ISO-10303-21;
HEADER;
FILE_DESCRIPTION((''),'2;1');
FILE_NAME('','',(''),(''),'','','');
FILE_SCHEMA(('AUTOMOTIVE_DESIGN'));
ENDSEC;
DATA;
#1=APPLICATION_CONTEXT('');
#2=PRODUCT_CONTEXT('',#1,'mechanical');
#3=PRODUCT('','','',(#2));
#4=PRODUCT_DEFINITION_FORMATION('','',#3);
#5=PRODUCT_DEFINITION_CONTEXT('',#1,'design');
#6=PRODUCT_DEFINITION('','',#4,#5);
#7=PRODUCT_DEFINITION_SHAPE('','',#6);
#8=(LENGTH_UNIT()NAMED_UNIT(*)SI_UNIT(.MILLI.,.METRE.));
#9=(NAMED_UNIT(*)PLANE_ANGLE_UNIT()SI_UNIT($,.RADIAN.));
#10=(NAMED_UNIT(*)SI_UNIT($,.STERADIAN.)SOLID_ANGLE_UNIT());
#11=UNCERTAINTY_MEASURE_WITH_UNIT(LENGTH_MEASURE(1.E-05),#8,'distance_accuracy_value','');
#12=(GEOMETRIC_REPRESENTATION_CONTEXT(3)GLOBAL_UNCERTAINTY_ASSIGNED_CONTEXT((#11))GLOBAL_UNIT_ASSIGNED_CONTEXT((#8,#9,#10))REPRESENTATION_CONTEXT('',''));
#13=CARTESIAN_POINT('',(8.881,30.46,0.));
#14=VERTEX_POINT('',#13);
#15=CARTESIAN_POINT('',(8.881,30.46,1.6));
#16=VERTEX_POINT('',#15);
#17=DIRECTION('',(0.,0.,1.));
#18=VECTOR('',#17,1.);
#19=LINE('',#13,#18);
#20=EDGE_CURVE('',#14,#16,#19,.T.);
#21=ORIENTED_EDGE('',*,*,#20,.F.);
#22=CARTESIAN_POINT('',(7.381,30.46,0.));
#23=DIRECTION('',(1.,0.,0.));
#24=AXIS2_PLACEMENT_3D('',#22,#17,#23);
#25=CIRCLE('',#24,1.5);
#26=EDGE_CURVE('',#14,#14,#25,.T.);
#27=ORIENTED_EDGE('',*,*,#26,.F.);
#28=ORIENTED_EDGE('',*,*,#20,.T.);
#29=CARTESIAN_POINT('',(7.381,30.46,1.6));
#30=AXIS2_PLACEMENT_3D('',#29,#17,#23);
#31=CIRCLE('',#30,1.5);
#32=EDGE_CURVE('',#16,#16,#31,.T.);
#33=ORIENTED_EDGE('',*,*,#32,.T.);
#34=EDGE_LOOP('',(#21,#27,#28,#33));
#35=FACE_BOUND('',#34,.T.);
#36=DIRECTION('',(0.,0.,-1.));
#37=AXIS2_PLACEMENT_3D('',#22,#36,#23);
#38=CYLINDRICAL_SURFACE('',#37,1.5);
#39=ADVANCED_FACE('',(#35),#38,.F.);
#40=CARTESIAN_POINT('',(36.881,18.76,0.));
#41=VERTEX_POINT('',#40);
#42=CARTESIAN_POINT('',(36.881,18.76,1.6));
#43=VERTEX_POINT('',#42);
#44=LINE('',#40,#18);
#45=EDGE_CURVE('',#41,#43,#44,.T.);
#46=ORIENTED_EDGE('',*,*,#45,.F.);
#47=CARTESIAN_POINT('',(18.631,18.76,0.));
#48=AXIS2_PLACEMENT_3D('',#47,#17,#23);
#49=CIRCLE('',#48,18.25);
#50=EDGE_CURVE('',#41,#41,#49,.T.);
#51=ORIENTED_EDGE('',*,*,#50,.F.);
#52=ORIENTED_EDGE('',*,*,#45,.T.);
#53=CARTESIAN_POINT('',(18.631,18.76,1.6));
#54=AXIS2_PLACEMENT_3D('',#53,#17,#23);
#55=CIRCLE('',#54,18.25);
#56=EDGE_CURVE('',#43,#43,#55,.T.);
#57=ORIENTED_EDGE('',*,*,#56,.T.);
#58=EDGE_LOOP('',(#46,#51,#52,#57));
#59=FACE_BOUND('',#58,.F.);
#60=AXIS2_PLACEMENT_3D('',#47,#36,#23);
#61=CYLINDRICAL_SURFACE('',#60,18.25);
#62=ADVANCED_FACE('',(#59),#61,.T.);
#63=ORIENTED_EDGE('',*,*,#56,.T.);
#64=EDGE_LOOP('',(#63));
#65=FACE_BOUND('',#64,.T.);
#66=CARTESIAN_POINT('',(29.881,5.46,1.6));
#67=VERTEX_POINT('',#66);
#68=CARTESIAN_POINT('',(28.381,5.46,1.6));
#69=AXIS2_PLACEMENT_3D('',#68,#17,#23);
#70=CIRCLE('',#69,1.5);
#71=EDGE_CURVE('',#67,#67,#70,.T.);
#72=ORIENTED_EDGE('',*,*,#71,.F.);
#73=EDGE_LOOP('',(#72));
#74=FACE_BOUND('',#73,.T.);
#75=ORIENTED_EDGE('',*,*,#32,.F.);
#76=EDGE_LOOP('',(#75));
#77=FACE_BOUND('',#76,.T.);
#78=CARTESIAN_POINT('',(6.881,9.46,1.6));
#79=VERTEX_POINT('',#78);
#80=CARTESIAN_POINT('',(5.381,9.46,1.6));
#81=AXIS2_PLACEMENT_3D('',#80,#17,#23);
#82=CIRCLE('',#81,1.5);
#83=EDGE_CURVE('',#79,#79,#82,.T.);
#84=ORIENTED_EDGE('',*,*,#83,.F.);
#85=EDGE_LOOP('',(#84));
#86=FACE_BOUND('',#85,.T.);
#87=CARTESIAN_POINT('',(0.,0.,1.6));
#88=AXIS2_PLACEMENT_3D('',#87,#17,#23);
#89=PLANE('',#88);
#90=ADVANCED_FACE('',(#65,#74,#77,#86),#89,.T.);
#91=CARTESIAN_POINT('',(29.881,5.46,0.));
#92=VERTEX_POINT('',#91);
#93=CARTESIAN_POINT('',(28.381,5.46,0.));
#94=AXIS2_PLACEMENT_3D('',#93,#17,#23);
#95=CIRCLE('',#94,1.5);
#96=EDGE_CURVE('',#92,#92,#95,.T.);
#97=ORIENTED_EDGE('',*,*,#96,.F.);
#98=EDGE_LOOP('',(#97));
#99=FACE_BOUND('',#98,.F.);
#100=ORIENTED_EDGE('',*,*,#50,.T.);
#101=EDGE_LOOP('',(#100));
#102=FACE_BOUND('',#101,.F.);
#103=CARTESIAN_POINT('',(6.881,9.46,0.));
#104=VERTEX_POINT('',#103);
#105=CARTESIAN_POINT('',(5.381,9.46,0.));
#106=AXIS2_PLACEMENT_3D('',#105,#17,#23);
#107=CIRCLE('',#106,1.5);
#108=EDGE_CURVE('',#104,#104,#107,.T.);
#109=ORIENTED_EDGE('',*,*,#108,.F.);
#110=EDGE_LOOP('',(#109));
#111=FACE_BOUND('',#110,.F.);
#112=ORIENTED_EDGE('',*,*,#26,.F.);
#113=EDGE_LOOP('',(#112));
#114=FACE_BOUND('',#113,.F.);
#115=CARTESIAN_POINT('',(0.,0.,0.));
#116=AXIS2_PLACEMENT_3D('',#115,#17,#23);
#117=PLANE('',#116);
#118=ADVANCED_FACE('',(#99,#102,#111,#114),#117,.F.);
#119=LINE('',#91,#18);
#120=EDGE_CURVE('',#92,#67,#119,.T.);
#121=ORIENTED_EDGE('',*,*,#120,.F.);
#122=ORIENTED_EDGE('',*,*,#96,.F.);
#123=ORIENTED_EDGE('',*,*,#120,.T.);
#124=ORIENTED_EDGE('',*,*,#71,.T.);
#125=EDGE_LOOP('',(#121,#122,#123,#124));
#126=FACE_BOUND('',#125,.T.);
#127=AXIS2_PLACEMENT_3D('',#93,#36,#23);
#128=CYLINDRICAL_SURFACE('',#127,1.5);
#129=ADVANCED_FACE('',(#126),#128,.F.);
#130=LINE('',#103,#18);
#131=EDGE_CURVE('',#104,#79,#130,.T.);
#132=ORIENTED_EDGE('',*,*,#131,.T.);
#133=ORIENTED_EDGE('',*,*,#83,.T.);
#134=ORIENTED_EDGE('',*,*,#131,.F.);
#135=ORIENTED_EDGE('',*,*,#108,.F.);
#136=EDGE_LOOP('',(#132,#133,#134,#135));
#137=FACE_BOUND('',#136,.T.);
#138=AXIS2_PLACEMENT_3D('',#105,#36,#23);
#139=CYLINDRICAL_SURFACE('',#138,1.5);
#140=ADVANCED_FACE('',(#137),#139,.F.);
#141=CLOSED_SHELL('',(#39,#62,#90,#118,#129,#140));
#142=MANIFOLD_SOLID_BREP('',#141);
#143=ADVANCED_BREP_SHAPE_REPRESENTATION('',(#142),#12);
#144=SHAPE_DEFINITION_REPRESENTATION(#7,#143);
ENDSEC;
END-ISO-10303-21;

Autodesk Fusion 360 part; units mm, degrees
sketch "Skizze1" plane through (0, 0, 0) normal (0, 0, 1) x (1, 0, 0)
  circle A0 centre (18.631, 18.76) radius 18.25
  circle A1 centre (7.381, 30.46) radius 1.5
  circle A2 centre (5.381, 9.46) radius 1.5
  circle A3 centre (28.381, 5.46) radius 1.5
  line L0 (18.631, 18.76) -> (7.381, 30.46) construction
  line L1 (18.631, 18.76) -> (5.381, 9.46) construction
  line L2 (18.631, 18.76) -> (28.381, 5.46) construction
  line L3 (18.631, 18.76) -> (18.631, 37.01) construction
  dimension "d1" = 36.5
  dimension "d4" = 18.631
  dimension "d5" = 18.76
  dimension "d6" = 3
  dimension "d7" = 7.381
  dimension "d8" = 30.46
  dimension "d9" = 9.46
  dimension "d10" = 5.381
  dimension "d11" = 5.46
  dimension "d12" = 28.381
  dimension "d24" = 43.877
  dimension "d25" = 125.065
  dimension "d26" = 143.756
  dimension "d27" = 16.2312
  dimension "d28" = 16.188
  dimension "d29" = 16.491
extrude "Extrusion1" add sketch "Skizze1" along normal blind 1.6
sketch "Skizze2" plane through (0, 0, 1.6) normal (0, 0, 1) x (-1, 0, 0)
  circle A0 centre (-5.381, -9.46) radius 1.5
  circle A1 centre (-7.381, -30.46) radius 1.5
  circle A2 centre (-28.381, -5.46) radius 1.5
  circle A3 centre (-18.631, -18.76) radius 18.25
  line L0 (-18.631, -37.01) -> (-18.631, -0.51) construction
  line L1 (-0.381, -18.76) -> (-36.881, -18.76) construction
  point P0 (-18.631, -29.96)
  point P1 (-18.631, -13.46)
  dimension "d13" = 13.46
  dimension "d15" = 29.96
ref_plane "Arbeitsebene1" through (18.631, 0, 0) normal (1, 0, 0) x (0, 1, 0)
sketch "Skizze3" plane through (18.631, 0, 0) normal (1, 0, 0) x (0, 1, 0)
  line L0 (13.46, 1.6) -> (13.46, 14.3588) construction
  line L1 (29.96, 1.6) -> (29.96, 15) construction
  line L2 (13.46, 9.6) -> (29.96, 9.6) construction
  line L3 (15.96, 9.6) -> (15.96, 35.7478) construction
  line L4 (15.96, 26.3) -> (3, 26.3) construction
  point P0 (13.46, 1.6)
  point P1 (29.96, 1.6)
  point P2 (13.46, 9.6)
  point P3 (29.96, 9.6)
  point P4 (15.96, 9.6)
  point P5 (15.96, 15.6)
  point P6 (15.96, 26.3)
  point P7 (5.26, 26.3)
  dimension "d18" = 8
  dimension "d19" = 8
  dimension "d20" = 2.5
  dimension "d21" = 6
  dimension "d22" = 10.7
  dimension "d23" = 10.7
equation "d19 = d18"
